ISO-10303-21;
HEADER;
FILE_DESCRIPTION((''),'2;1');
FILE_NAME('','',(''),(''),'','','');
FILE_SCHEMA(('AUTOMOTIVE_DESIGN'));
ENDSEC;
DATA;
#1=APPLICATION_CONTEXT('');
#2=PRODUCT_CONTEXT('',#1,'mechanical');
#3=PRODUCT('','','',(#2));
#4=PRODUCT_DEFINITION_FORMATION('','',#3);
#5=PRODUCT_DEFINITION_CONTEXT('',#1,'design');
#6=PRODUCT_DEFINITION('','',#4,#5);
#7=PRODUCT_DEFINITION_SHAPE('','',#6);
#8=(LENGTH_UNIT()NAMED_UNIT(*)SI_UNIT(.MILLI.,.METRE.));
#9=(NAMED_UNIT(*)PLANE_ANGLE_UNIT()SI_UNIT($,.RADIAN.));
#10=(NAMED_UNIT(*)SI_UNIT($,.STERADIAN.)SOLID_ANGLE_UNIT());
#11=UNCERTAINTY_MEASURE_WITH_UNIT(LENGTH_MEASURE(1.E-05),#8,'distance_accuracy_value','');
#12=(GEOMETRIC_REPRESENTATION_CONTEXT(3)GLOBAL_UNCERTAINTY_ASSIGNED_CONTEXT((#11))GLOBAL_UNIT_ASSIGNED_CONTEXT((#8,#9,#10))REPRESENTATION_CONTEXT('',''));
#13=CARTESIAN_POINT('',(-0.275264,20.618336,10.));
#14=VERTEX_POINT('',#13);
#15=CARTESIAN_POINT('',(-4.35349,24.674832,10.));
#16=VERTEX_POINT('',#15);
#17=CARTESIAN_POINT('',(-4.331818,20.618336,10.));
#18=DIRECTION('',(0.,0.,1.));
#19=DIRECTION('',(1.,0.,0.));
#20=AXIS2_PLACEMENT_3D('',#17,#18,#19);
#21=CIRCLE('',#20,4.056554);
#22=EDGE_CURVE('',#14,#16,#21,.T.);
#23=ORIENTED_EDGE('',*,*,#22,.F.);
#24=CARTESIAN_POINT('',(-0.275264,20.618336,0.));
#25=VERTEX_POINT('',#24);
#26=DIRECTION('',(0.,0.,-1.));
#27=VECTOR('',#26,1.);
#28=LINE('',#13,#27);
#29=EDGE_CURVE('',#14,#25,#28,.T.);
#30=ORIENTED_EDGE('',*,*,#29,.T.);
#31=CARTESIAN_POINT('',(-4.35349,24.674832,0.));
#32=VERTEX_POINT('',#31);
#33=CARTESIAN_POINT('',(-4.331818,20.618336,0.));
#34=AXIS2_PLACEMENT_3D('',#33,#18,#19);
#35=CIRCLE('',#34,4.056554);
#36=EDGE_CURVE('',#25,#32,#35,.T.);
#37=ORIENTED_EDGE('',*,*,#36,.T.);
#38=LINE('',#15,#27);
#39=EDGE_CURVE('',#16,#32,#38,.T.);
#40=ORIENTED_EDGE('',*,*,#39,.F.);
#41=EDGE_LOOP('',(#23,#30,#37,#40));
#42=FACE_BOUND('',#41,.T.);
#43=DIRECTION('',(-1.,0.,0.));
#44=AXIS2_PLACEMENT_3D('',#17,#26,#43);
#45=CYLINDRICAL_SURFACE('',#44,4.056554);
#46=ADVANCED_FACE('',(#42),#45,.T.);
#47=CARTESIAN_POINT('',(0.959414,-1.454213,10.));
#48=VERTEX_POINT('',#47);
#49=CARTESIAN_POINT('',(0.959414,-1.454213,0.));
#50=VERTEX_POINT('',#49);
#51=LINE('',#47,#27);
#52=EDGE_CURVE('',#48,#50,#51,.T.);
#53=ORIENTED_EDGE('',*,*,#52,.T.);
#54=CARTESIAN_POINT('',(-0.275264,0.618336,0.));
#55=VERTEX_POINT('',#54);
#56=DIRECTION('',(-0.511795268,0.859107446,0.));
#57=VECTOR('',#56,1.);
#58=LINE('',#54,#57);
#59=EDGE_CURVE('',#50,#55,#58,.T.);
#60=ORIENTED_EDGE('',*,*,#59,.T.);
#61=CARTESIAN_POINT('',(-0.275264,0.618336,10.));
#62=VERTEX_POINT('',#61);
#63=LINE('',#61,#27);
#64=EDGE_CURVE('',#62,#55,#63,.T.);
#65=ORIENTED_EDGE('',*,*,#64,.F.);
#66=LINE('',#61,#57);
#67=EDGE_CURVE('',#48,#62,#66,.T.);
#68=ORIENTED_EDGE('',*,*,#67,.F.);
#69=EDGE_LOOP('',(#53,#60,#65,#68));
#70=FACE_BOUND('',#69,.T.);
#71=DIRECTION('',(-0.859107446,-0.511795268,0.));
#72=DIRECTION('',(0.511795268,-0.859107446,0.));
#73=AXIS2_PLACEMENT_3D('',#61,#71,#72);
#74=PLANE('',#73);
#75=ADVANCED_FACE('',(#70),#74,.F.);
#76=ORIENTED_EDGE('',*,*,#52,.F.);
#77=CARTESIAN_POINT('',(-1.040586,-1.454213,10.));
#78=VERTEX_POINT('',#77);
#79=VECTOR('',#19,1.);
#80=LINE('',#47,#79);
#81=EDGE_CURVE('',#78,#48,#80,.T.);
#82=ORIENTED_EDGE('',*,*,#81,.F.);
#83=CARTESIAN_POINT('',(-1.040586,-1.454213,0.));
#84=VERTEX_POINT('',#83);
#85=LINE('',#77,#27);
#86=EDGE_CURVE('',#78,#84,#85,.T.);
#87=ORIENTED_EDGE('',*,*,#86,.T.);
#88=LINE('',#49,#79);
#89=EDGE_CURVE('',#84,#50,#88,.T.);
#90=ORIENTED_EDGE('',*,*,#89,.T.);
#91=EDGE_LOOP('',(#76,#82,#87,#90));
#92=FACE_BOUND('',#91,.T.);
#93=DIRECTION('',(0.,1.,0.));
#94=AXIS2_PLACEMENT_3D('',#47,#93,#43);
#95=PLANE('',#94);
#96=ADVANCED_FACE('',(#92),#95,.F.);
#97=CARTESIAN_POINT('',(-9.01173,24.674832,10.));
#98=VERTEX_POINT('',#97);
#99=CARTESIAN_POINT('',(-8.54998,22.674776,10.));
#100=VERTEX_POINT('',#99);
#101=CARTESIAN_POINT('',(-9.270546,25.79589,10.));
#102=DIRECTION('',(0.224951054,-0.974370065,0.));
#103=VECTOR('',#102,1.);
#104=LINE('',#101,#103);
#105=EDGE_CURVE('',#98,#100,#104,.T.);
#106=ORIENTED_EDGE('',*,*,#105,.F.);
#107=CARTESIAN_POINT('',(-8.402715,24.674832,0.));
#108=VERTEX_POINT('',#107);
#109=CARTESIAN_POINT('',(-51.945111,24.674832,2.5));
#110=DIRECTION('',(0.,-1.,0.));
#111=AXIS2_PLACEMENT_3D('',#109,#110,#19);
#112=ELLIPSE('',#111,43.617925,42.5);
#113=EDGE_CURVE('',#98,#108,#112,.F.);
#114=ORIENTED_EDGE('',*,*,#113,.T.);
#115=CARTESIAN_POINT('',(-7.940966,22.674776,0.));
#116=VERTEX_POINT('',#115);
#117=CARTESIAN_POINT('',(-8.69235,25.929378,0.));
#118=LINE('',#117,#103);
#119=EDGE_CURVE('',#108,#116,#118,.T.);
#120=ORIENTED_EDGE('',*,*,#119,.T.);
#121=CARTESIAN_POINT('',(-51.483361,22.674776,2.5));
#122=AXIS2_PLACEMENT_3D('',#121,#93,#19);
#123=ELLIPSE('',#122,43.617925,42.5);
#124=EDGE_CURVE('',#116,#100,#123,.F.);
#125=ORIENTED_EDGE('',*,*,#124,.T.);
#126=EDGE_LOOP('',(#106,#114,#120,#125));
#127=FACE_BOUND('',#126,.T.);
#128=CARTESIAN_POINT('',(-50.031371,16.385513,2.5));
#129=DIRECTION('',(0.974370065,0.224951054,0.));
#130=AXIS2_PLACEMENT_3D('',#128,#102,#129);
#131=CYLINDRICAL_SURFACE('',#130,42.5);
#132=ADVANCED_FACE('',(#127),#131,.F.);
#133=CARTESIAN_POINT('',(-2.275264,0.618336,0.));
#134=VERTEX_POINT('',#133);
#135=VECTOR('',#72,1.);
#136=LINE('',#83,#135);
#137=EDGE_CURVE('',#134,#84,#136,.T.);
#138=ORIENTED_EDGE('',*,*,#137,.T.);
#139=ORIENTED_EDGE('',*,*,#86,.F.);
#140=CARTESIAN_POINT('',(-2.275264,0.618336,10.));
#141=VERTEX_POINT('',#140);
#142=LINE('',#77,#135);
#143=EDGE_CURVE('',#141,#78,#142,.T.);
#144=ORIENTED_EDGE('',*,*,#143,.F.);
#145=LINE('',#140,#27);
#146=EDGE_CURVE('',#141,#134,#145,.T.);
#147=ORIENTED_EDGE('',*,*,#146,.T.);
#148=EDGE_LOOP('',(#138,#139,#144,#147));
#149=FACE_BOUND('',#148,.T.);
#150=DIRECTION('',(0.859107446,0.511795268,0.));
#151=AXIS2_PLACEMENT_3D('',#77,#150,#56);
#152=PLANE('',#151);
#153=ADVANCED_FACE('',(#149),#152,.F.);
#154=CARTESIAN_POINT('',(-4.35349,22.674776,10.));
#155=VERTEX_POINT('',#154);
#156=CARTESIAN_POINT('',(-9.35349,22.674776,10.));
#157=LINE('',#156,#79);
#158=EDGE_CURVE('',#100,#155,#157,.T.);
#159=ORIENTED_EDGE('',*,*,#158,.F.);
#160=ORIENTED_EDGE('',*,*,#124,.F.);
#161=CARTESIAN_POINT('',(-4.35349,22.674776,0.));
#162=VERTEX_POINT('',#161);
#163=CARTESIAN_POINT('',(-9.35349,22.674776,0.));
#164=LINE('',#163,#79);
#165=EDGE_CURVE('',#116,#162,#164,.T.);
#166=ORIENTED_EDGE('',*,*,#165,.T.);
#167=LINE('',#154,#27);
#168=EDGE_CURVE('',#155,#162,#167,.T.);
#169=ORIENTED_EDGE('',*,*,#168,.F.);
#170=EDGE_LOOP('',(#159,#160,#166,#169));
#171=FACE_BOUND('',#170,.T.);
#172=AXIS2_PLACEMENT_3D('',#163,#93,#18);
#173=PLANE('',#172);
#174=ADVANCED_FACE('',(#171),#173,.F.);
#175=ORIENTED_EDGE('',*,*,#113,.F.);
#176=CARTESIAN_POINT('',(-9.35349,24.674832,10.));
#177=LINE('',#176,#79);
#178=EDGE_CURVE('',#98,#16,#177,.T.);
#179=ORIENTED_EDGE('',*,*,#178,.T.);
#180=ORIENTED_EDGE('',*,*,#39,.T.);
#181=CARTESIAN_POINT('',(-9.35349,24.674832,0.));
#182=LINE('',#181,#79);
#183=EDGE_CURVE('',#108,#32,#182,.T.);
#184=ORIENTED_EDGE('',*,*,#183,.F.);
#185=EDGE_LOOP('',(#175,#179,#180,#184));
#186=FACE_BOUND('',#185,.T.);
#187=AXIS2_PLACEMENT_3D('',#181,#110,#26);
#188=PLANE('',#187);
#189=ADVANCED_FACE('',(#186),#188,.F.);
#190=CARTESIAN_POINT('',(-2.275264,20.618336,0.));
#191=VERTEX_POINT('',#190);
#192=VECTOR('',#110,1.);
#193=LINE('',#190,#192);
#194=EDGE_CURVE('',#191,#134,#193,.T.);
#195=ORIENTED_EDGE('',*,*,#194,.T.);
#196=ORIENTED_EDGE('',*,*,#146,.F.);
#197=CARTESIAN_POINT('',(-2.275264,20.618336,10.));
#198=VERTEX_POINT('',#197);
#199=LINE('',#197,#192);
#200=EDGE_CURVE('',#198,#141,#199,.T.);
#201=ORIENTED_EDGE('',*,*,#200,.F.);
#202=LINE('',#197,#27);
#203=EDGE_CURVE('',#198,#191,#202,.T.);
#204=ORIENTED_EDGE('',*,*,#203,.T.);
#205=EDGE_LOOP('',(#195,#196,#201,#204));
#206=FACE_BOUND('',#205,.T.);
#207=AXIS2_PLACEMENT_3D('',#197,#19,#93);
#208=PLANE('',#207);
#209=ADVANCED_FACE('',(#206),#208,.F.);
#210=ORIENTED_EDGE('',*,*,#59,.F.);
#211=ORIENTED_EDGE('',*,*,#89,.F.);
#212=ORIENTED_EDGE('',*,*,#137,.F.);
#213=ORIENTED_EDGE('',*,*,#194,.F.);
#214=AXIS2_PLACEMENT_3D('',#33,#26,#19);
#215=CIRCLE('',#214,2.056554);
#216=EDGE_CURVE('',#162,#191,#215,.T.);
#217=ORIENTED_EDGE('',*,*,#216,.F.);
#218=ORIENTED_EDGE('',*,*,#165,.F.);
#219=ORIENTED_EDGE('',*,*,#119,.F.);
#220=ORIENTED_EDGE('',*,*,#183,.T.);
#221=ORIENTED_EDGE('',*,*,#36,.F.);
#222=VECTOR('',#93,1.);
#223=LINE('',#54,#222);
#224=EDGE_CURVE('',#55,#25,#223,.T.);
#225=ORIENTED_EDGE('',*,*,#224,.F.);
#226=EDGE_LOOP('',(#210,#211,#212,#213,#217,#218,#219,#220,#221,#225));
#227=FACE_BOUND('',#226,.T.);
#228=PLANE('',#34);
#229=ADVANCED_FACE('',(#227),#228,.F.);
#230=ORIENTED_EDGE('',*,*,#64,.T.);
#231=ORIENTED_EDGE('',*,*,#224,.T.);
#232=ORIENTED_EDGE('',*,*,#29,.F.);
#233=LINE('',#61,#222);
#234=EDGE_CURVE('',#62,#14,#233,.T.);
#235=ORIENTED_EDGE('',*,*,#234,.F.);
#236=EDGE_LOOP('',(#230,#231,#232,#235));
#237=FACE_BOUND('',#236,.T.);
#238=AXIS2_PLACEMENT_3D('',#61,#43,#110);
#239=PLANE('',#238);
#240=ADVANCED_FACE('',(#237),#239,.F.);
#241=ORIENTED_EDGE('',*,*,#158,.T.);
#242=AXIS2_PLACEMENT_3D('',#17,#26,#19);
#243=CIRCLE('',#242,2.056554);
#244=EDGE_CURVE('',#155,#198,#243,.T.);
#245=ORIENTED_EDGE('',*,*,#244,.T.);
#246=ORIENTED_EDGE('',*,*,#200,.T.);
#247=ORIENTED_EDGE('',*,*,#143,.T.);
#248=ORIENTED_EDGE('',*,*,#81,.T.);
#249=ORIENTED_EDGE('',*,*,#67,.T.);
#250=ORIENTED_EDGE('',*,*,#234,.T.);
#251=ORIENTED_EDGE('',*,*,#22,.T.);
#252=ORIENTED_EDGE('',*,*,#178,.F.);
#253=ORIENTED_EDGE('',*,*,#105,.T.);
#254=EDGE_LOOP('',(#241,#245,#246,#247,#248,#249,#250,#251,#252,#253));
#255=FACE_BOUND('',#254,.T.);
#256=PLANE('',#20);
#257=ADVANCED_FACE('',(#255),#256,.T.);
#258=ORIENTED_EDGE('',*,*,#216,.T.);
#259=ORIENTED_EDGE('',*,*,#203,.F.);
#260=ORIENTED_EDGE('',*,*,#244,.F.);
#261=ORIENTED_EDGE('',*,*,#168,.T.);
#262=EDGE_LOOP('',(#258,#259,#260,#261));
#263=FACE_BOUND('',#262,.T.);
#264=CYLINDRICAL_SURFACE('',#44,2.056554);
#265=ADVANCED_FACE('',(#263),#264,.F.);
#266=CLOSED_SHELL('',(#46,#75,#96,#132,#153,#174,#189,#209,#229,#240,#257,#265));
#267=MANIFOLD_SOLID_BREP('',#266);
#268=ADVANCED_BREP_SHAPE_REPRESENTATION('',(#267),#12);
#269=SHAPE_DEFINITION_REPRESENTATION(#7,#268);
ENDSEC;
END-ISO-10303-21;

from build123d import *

# Parameters (mm, degrees)
BOSS_EXTRUDE1_DEPTH     = 10
SKETCH2_W               = 10
SKETCH2_H               = 2.000056303
BOSS_EXTRUDE2_DEPTH     = 5
CUT_EXTRUDE3_DEPTH      = 11
BOSS_EXTRUDE7_DEPTH     = 10
SKETCH10_R              = 42.5
CUT_EXTRUDE5_DEPTH      = 2
CUT_EXTRUDE5_DEPTH_BACK = 2


with BuildPart() as part:
    # Sketch1 → Boss-Extrude1 (new body)
    with BuildSketch(Plane.XY):
        with BuildLine():
            Line((-0.275264024, 0.618336289), (-0.275264024, 20.618336289))
            ThreePointArc((-0.275264024, 20.618336289), (-1.471073772, 23.494405264), (-4.353490365, 24.674832426))
            Line((-4.353490365, 24.674832426), (-4.353490365, 22.674776123))
            ThreePointArc((-4.353490365, 22.674776123), (-2.885297366, 22.080181828), (-2.275264024, 20.618336289))
            Line((-2.275264024, 20.618336289), (-2.275264024, 0.618336289))
            Line((-2.275264024, 0.618336289), (-1.040586258, -1.454212886))
            Line((-1.040586258, -1.454212886), (0.959413742, -1.454212886))
            Line((0.959413742, -1.454212886), (-0.275264024, 0.618336289))
        make_face()
    extrude(amount=BOSS_EXTRUDE1_DEPTH)

    # Sketch2 → Boss-Extrude2 (add)
    with BuildSketch(Plane.ZY.offset(4.353490365)):
        with Locations((5, 23.674804275)):
            Rectangle(SKETCH2_W, SKETCH2_H)
    extrude(amount=BOSS_EXTRUDE2_DEPTH)

    # Sketch7 → Cut-Extrude3 (cut, through all)
    with BuildSketch(Plane.XY.offset(10)):
        with BuildLine():
            Line((-9.353490365, 24.674832426), (-8.891740984, 22.674776123))
            ThreePointArc((-8.891740984, 22.674776123), (-9.122615674, 22.648471274), (-9.353490365, 22.674776123))
            Line((-9.353490365, 22.674776123), (-9.353490365, 24.674832426))
        make_face()
    extrude(amount=-CUT_EXTRUDE3_DEPTH, mode=Mode.SUBTRACT)

    # Sketch8 → Boss-Extrude7 (add, through all)
    with BuildSketch(Plane.XY.offset(10)):
        Polygon((-9.122615674, 23.674804274), (-50.533343428, 14.114384465), (-50.555838533, 14.211821471), (-9.14511078, 23.772241281), align=None)
    extrude(amount=-BOSS_EXTRUDE7_DEPTH)

    # Sketch10 → Cut-Extrude5 (cut, two sides)
    with BuildSketch(Plane(origin=(-5.673302165, 24.573771456, 0), x_dir=(0.974370065, 0.224951054, 0), z_dir=(-0.224951054, 0.974370065, 0))) as cut_extrude5_sk:
        with Locations((-45.063131443, -2.5)):
            Circle(SKETCH10_R)
    extrude(amount=CUT_EXTRUDE5_DEPTH, mode=Mode.SUBTRACT)
    extrude(cut_extrude5_sk.sketch, amount=-CUT_EXTRUDE5_DEPTH_BACK, mode=Mode.SUBTRACT)


solid = part.part
